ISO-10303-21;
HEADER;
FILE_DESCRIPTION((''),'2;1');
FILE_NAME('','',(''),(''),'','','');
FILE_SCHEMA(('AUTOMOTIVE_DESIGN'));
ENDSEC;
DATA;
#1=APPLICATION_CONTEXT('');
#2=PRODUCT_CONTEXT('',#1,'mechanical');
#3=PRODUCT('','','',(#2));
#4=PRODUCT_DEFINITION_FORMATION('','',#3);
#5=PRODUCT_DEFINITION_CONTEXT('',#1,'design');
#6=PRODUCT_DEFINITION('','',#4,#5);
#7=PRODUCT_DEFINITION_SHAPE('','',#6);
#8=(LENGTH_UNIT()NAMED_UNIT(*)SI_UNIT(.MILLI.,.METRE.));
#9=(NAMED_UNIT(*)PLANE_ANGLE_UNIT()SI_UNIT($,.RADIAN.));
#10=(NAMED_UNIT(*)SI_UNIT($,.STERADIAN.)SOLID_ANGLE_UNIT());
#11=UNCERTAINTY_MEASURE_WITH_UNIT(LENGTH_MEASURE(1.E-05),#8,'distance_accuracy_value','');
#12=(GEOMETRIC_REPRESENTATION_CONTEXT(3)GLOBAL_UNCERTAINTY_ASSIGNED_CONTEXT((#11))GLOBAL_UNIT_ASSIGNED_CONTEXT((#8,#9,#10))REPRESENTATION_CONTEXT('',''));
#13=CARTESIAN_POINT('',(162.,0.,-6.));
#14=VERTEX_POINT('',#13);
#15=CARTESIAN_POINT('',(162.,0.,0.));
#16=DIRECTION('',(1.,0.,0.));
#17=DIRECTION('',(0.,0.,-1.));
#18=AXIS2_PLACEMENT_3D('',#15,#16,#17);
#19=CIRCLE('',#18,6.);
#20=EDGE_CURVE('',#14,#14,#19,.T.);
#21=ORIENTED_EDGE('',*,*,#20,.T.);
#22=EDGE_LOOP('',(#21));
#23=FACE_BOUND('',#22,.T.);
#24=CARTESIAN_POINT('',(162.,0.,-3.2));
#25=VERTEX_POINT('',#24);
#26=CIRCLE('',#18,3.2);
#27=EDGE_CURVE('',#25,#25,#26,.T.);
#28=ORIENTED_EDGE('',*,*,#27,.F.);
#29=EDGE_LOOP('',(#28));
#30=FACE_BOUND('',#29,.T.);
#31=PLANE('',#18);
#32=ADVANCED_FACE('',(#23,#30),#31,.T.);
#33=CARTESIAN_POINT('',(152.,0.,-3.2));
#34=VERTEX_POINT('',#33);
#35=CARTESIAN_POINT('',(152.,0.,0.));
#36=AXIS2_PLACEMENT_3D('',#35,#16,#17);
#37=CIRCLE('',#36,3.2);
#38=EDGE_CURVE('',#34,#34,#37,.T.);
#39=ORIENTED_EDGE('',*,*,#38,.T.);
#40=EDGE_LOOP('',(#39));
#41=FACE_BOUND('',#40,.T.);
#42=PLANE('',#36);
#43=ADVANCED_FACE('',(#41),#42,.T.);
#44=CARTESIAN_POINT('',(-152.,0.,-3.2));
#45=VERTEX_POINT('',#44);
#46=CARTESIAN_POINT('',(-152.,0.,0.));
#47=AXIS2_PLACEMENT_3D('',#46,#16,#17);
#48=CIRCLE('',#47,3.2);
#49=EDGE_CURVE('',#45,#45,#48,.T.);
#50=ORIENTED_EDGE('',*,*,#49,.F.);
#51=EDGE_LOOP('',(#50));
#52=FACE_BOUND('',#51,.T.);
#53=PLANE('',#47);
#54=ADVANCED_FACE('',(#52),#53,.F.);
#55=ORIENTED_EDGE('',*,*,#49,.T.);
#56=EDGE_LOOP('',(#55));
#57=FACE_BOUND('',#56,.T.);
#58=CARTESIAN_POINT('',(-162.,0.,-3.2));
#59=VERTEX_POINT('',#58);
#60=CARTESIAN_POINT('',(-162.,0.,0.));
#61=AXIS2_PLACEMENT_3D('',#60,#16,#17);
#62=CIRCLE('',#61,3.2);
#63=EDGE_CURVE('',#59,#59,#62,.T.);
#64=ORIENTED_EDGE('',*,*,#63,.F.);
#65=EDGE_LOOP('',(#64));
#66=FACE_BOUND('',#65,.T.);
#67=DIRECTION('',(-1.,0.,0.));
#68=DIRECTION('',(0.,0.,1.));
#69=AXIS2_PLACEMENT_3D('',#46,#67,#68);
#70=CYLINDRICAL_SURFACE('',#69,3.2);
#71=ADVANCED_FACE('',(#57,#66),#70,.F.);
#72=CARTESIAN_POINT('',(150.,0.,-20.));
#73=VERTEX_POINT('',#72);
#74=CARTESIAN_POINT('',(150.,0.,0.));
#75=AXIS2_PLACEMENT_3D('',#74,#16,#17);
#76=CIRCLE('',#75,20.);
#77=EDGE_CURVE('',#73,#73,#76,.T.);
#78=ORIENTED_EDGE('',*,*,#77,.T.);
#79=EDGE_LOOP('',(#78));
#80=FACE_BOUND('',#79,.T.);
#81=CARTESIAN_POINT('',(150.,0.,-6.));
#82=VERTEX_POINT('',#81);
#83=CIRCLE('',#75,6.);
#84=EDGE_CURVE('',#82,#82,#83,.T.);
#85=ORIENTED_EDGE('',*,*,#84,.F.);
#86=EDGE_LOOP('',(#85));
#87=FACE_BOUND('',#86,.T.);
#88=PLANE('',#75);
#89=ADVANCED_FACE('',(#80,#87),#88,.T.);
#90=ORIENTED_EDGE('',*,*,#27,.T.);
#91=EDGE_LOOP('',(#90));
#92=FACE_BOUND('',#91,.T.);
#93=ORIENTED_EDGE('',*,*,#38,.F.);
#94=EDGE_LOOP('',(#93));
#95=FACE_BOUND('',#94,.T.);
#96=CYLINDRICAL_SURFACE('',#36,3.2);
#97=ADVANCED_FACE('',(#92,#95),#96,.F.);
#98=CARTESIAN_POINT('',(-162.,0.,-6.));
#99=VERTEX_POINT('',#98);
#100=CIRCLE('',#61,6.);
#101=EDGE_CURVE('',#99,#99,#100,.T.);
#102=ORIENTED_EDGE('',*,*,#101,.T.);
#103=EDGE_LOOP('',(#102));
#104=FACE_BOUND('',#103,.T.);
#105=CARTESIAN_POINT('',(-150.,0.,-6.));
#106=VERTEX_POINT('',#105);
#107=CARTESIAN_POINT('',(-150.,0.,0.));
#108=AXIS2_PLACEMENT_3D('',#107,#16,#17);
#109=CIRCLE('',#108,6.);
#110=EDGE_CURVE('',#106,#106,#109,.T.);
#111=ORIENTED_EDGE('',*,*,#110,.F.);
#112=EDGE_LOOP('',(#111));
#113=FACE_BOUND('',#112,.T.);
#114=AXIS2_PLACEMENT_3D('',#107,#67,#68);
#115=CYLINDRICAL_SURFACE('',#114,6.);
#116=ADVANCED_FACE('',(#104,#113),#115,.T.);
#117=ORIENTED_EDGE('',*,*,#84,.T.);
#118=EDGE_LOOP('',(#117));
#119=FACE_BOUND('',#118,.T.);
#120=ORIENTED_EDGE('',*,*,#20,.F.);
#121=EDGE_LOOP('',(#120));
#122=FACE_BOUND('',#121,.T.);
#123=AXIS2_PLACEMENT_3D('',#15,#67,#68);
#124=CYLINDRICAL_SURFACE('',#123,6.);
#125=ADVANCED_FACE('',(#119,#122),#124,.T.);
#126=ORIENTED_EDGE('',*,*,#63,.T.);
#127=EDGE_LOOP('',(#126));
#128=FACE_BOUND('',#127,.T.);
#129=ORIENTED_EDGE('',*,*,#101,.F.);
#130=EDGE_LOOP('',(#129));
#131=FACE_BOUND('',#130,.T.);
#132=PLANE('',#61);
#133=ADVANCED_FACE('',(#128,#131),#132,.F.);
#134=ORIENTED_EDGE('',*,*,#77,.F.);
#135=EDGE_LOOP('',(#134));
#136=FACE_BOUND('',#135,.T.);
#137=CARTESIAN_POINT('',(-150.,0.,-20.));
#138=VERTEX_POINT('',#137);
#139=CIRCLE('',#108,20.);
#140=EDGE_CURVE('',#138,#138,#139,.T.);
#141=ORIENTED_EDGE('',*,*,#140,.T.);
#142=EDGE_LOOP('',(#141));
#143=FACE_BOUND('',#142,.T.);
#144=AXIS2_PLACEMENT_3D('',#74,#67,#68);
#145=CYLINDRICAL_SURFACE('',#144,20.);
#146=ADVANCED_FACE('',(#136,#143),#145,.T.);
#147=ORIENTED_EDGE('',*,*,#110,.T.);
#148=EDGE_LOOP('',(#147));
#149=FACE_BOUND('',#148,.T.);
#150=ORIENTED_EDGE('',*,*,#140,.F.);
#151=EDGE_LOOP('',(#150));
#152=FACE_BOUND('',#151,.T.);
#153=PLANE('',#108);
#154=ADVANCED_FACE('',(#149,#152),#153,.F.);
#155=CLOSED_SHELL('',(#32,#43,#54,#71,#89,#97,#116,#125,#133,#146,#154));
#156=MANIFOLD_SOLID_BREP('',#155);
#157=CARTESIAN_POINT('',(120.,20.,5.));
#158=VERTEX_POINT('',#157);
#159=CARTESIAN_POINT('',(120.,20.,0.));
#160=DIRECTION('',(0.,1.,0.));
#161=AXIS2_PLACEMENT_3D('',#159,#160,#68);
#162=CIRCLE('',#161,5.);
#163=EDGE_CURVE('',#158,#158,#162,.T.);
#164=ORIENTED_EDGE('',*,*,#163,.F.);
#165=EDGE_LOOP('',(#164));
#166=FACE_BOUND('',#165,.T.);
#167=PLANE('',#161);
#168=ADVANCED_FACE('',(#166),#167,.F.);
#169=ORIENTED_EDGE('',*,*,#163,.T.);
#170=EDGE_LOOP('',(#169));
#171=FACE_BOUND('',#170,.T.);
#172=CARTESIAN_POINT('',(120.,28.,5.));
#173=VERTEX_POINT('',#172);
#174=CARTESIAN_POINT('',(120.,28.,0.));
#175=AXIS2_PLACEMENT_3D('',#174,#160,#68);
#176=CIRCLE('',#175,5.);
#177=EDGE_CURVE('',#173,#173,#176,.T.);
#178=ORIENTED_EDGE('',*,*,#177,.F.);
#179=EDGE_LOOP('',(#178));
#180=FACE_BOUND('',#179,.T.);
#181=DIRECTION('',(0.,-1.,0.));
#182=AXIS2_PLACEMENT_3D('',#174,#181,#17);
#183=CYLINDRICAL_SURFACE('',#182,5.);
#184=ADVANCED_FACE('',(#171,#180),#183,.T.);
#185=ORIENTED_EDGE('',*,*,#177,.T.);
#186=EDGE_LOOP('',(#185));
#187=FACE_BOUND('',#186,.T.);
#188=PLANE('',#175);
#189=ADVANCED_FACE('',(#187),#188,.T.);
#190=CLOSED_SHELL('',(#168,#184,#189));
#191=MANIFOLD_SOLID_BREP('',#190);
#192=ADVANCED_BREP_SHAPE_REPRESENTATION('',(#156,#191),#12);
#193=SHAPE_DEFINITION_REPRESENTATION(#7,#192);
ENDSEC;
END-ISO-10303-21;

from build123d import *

# Parameters (mm, degrees)
BODY_START             = -150
SKETCH1_R              = 20
BODY_DEPTH             = 300
INLET_PORT_START       = -162
SKETCH2_R              = 6
INLET_PORT_DEPTH       = 12
INLET_SOCKET_START     = -162
SKETCH3_R              = 3.2
INLET_SOCKET_DEPTH     = 10
OUTLET_PORT_START      = 150
SKETCH4_R              = 6
OUTLET_PORT_DEPTH      = 12
OUTLET_SOCKET_START    = 152
SKETCH5_R              = 3.2
OUTLET_SOCKET_DEPTH    = 10
LAMP_CABLE_GLAND_START = 20
SKETCH6_R              = 5
LAMP_CABLE_GLAND_DEPTH = 8


with BuildPart() as part:
    # Sketch1 → Body (new body)
    with BuildSketch(Plane(origin=(0, 0, 0), x_dir=(0, 0, -1), z_dir=(1, 0, 0)).offset(BODY_START)):
        Circle(SKETCH1_R)
    extrude(amount=BODY_DEPTH)

    # Sketch2 → Inlet_Port (add)
    with BuildSketch(Plane(origin=(0, 0, 0), x_dir=(0, 0, -1), z_dir=(1, 0, 0)).offset(INLET_PORT_START)):
        Circle(SKETCH2_R)
    extrude(amount=INLET_PORT_DEPTH)

    # Sketch3 → Inlet_Socket (cut)
    with BuildSketch(Plane(origin=(0, 0, 0), x_dir=(0, 0, -1), z_dir=(1, 0, 0)).offset(INLET_SOCKET_START)):
        Circle(SKETCH3_R)
    extrude(amount=INLET_SOCKET_DEPTH, mode=Mode.SUBTRACT)

    # Sketch4 → Outlet_Port (add)
    with BuildSketch(Plane(origin=(0, 0, 0), x_dir=(0, 0, -1), z_dir=(1, 0, 0)).offset(OUTLET_PORT_START)):
        Circle(SKETCH4_R)
    extrude(amount=OUTLET_PORT_DEPTH)

    # Sketch5 → Outlet_Socket (cut)
    with BuildSketch(Plane(origin=(0, 0, 0), x_dir=(0, 0, -1), z_dir=(1, 0, 0)).offset(OUTLET_SOCKET_START)):
        Circle(SKETCH5_R)
    extrude(amount=OUTLET_SOCKET_DEPTH, mode=Mode.SUBTRACT)


with BuildPart() as body_2:
    # Sketch6 → Lamp_Cable_Gland (new body)
    with BuildSketch(Plane(origin=(0, 0, 0), x_dir=(1, 0, 0), z_dir=(0, 1, 0)).offset(LAMP_CABLE_GLAND_START)):
        with Locations(Location((120, 0, 0), (0, 0, 270))):
            Circle(SKETCH6_R)
    extrude(amount=LAMP_CABLE_GLAND_DEPTH)


solid = Compound([part.part, body_2.part])
